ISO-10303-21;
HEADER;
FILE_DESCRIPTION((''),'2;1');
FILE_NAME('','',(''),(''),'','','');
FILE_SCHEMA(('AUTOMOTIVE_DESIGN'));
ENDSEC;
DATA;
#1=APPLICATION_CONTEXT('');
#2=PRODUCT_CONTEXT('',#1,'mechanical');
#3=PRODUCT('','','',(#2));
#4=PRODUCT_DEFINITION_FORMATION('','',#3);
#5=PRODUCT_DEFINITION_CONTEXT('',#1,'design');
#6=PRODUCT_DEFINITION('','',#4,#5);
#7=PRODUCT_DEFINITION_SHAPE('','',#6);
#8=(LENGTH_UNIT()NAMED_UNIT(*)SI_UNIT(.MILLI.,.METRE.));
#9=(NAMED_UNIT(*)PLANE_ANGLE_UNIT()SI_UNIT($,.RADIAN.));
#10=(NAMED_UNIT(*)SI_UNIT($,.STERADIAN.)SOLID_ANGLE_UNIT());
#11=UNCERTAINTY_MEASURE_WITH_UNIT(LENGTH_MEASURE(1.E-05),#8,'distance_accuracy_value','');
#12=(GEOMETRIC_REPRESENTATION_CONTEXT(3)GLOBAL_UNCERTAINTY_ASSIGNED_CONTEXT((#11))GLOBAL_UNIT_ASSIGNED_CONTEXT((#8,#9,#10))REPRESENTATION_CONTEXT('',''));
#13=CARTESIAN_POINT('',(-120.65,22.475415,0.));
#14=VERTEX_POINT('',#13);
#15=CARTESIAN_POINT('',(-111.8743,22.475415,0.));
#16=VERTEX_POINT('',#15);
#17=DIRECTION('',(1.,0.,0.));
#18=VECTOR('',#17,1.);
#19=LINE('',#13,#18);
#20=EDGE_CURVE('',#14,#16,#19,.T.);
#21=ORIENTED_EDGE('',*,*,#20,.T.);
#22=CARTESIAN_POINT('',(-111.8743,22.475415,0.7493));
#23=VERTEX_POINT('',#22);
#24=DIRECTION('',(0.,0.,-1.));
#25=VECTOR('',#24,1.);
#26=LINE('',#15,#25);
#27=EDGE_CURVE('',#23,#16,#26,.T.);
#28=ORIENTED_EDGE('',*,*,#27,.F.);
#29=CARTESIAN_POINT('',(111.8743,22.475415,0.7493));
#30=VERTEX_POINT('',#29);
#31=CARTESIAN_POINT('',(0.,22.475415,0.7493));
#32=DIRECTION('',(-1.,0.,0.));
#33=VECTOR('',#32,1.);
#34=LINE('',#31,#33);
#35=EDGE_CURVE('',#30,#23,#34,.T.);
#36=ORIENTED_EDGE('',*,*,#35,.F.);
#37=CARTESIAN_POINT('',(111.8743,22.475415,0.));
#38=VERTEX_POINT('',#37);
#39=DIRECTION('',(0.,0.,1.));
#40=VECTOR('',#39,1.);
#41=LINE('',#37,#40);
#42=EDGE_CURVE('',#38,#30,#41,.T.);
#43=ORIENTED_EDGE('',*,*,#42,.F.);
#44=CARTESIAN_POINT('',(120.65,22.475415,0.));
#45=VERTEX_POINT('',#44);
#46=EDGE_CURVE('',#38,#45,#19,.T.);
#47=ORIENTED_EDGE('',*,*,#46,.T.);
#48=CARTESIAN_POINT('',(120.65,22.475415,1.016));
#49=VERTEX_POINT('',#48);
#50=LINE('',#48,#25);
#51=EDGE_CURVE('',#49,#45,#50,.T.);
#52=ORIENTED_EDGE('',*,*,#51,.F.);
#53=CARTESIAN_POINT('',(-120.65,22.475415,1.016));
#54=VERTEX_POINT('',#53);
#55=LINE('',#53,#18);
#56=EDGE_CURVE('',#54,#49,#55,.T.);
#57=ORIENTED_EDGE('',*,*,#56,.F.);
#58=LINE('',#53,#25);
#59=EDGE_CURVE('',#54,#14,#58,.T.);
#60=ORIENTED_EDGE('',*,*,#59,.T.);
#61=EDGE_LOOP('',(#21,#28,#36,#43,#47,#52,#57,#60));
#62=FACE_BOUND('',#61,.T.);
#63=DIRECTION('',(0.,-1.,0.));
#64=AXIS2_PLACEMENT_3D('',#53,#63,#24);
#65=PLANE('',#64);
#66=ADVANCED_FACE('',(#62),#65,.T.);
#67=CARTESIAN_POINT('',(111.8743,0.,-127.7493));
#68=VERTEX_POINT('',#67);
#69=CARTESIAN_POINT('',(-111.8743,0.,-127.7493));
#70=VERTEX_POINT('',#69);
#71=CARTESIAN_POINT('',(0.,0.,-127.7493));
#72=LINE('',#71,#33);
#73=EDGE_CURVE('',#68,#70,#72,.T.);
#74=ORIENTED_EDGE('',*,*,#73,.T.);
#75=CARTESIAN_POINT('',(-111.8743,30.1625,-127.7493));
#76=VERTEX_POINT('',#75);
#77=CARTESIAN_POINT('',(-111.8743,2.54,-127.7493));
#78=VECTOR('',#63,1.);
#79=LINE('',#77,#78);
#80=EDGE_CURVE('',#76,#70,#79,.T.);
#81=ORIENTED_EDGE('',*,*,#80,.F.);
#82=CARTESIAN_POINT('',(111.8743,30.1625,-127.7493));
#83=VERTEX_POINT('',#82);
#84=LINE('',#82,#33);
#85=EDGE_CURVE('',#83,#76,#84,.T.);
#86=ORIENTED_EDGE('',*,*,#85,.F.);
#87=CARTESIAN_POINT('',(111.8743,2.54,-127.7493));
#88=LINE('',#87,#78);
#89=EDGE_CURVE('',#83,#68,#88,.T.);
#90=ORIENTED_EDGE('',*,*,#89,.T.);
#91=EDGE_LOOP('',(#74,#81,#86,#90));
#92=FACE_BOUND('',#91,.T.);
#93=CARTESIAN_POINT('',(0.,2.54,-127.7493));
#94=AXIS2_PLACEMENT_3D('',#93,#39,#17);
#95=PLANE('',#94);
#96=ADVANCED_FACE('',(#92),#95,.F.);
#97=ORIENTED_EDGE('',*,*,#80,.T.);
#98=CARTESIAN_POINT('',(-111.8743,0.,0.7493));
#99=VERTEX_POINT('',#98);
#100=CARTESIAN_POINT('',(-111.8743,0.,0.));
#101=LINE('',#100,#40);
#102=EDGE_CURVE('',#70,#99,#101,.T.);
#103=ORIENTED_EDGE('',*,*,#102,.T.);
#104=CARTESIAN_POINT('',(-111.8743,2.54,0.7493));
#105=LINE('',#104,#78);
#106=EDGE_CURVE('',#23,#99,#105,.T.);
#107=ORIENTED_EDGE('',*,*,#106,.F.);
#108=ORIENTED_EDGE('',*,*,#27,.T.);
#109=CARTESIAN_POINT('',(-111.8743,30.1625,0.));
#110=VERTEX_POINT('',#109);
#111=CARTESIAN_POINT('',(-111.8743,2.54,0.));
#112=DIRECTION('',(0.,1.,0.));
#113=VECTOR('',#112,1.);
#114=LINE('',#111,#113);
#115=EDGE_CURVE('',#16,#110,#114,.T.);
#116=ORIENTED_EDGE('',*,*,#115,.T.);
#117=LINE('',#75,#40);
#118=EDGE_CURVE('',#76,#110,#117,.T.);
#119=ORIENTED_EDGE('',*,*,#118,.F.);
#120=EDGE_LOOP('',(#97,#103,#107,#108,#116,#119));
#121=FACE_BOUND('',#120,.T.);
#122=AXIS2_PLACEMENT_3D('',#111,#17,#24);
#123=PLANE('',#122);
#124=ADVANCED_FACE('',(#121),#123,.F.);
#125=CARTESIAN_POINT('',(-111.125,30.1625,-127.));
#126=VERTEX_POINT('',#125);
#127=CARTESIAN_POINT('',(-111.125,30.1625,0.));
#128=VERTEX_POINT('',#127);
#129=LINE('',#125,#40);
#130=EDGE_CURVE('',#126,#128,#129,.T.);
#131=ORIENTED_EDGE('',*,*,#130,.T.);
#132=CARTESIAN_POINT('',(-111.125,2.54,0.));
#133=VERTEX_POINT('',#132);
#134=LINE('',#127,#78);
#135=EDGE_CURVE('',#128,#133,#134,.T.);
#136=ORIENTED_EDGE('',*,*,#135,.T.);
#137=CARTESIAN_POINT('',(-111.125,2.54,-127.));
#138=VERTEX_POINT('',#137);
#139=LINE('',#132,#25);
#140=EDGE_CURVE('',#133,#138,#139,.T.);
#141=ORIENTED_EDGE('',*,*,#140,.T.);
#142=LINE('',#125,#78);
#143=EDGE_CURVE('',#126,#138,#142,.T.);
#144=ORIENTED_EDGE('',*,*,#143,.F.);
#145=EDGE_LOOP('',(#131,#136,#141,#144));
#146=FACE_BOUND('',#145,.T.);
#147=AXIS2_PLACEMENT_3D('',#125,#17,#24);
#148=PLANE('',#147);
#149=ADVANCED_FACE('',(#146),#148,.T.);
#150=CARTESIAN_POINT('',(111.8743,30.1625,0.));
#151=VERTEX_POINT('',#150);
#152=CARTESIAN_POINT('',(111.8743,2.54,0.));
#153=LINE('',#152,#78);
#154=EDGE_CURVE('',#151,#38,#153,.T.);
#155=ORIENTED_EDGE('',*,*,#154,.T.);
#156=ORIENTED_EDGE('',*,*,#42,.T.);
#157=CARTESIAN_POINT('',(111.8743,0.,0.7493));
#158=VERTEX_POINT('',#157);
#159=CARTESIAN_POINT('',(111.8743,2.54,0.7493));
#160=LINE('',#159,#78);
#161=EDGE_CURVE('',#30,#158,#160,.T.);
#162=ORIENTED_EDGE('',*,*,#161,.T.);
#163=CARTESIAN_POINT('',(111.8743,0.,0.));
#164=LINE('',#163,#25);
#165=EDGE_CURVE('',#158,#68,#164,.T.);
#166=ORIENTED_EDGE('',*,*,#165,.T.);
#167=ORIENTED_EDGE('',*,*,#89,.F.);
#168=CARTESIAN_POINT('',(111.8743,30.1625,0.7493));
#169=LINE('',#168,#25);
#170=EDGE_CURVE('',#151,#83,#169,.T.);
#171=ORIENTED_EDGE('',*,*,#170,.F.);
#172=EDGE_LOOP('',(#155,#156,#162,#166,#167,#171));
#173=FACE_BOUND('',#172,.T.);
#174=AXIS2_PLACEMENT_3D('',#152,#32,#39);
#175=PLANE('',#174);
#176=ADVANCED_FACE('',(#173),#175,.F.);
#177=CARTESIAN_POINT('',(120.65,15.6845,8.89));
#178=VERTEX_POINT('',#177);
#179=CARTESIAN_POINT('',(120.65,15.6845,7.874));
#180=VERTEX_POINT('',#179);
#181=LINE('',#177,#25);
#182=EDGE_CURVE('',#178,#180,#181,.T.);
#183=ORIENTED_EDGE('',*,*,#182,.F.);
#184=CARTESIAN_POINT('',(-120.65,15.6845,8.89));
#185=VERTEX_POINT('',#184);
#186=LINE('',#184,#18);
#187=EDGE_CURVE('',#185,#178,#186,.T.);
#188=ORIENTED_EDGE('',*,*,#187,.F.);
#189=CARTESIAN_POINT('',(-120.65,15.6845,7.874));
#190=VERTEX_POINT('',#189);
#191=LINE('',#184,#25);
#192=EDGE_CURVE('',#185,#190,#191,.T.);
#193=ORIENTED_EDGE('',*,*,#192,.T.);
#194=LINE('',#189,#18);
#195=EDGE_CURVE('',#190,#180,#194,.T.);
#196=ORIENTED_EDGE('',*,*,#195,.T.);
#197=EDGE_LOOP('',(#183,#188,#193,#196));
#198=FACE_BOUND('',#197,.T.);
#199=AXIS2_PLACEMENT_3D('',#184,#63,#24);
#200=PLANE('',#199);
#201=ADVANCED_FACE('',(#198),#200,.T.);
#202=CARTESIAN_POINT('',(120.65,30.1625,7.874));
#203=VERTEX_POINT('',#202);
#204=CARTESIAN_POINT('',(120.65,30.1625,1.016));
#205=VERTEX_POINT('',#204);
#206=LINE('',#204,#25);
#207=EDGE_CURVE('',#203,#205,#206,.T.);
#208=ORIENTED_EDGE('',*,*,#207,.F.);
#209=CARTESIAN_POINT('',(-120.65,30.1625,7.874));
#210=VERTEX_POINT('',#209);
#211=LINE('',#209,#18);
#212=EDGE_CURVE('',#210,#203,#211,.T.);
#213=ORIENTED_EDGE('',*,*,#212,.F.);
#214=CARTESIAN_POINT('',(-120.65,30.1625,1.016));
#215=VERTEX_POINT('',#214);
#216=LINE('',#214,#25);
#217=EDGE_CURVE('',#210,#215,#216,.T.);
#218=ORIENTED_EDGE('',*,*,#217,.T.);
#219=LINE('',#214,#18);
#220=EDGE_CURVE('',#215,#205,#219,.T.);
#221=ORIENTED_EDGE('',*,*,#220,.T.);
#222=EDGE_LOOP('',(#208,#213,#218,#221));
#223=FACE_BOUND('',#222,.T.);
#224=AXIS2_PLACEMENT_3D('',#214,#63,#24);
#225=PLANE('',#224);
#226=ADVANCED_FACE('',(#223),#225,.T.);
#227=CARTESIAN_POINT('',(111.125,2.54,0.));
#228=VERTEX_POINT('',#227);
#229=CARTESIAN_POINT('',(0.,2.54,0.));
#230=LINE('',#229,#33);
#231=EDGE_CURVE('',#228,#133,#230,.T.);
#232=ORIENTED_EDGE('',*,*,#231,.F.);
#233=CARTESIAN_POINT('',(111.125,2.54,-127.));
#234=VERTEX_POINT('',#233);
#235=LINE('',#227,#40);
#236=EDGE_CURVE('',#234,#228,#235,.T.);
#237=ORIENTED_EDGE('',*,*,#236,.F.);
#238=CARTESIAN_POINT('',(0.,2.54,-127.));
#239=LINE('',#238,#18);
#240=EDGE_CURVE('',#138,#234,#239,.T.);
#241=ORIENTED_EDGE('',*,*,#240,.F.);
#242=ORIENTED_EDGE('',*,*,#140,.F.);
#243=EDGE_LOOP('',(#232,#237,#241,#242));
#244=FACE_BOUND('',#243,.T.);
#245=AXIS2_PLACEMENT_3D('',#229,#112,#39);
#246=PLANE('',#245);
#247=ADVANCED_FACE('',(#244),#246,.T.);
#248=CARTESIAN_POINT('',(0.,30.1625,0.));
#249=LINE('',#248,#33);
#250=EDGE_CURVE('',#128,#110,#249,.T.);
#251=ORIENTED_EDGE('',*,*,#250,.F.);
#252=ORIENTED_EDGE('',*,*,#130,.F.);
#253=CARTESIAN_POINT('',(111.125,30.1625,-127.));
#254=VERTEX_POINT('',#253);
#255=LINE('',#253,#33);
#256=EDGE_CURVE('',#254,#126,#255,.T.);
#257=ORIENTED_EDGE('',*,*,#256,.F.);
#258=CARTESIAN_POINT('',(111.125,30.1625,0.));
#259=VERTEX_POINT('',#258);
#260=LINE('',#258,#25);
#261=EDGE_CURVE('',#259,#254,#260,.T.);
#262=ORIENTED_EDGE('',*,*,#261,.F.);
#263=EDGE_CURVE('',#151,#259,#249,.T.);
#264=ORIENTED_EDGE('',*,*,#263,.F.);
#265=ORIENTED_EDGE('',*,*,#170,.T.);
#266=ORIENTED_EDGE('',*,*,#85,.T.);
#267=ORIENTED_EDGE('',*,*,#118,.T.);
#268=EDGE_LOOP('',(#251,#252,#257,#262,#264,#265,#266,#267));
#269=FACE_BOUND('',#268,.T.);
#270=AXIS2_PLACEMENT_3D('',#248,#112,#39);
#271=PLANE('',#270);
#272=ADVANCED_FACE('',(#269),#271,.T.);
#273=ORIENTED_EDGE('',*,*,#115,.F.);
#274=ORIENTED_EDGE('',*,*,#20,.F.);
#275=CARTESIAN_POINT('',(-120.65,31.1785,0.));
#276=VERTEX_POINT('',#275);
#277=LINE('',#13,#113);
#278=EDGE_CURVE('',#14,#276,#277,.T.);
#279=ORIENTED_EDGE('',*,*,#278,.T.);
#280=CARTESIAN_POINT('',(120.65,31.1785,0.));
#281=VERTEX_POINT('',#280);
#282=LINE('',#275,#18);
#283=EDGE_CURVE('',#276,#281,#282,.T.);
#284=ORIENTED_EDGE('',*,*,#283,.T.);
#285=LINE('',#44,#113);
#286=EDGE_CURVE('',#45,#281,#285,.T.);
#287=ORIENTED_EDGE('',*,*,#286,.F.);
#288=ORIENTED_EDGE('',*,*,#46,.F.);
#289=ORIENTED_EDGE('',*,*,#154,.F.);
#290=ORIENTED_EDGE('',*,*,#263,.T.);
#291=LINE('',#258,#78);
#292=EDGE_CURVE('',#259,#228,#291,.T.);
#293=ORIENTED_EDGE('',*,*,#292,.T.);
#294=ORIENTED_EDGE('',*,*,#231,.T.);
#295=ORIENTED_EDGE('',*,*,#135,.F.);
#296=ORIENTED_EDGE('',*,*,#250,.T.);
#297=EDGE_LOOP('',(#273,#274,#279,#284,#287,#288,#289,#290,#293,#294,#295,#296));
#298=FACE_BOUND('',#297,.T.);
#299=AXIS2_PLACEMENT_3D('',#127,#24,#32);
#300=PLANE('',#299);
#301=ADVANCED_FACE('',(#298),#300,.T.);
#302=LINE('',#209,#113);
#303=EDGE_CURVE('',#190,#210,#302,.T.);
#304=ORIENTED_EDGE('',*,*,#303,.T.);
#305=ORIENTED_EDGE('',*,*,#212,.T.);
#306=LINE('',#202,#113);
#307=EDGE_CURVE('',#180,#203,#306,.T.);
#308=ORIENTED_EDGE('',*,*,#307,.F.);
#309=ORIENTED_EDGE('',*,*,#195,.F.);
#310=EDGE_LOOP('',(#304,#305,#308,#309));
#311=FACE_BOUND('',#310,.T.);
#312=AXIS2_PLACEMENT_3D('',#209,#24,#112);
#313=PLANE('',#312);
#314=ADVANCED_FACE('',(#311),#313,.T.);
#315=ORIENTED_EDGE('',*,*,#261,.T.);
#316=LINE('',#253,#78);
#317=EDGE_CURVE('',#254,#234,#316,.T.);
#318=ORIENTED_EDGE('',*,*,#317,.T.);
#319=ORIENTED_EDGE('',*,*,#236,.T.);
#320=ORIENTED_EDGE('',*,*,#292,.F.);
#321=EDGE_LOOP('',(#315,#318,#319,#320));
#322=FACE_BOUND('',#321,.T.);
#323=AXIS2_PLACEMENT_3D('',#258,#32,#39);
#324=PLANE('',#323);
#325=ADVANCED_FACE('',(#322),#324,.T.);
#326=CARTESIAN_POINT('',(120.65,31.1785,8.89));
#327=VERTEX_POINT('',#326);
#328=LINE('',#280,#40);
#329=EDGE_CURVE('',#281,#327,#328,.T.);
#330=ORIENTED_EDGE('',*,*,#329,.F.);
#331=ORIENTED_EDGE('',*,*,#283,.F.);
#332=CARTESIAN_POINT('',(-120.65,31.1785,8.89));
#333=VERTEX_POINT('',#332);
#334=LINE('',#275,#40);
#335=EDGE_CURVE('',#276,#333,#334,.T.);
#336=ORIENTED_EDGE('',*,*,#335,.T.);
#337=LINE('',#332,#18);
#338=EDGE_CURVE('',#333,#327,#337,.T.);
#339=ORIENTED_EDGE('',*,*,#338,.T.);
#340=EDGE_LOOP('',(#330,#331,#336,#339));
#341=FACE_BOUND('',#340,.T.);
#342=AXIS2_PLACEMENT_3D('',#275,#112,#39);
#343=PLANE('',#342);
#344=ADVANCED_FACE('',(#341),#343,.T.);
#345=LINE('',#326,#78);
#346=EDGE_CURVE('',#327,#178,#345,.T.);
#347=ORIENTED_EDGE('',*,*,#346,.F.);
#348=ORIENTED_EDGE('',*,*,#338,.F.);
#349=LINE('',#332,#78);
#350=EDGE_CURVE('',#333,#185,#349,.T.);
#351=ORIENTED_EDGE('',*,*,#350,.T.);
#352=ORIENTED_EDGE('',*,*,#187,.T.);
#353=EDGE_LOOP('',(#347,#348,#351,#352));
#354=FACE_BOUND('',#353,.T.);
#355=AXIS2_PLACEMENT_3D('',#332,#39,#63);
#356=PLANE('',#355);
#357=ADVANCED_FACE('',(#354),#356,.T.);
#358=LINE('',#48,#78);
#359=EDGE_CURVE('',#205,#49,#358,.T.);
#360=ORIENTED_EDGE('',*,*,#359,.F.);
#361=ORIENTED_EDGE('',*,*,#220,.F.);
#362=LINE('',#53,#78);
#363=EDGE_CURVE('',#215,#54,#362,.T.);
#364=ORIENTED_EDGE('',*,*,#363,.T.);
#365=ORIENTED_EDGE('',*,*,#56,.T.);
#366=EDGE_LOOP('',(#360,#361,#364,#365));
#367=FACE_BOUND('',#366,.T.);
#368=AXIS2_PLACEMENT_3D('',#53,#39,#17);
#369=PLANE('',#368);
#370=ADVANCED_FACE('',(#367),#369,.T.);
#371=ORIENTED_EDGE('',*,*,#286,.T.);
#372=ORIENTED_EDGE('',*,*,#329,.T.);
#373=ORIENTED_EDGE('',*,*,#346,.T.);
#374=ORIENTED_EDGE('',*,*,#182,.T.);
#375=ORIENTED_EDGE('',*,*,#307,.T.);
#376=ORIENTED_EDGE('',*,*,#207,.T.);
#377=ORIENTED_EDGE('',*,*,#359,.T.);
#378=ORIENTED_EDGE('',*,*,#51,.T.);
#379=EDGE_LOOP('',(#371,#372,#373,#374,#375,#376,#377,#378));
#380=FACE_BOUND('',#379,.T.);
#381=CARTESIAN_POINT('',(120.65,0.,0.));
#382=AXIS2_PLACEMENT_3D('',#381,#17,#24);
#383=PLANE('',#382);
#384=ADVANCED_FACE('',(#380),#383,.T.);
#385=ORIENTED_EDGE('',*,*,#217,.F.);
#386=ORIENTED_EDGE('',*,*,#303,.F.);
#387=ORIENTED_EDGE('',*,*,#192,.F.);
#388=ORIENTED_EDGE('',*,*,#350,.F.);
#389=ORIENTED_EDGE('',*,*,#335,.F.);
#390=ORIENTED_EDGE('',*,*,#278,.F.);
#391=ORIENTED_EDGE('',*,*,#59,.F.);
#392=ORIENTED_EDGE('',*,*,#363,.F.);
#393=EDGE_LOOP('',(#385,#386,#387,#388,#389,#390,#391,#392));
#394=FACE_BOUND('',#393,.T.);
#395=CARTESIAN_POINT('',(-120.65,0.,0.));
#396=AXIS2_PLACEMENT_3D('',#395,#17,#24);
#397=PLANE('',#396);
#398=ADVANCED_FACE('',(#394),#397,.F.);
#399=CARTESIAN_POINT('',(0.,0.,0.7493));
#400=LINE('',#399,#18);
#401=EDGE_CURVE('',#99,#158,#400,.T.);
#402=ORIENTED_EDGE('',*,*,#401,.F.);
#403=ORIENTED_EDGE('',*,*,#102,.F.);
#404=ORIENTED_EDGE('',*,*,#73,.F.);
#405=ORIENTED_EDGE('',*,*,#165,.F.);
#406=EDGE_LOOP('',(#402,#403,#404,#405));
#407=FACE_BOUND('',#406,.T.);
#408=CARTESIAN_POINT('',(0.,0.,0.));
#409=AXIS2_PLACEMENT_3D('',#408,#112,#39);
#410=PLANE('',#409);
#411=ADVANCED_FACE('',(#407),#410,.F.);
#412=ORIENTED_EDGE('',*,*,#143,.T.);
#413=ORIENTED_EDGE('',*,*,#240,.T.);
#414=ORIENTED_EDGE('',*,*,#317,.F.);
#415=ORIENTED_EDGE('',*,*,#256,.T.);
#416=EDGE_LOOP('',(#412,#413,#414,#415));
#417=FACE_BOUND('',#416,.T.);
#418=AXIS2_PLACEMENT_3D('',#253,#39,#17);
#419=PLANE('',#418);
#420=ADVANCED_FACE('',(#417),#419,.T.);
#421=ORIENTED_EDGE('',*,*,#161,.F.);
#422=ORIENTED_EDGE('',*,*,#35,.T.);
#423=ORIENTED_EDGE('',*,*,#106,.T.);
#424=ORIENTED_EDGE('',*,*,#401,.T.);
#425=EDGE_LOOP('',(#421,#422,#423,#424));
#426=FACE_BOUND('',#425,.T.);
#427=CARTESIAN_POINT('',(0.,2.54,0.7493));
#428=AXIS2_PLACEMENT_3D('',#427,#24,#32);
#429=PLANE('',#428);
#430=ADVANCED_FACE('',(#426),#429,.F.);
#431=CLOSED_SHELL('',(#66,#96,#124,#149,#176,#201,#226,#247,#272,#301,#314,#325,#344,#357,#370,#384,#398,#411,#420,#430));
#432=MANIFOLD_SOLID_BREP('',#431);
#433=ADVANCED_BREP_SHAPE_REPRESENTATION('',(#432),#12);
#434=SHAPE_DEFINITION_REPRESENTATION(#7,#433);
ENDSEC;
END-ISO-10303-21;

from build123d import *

# Parameters (mm, degrees)
SKETCH1_W         = 223.7486
SKETCH1_H         = 128.4986
BASE_DEPTH        = 2.54
SKETCH1_3_W       = 223.7486
SKETCH1_3_H       = 128.4986
SKETCH1_3_W_2     = 222.25
SKETCH1_3_H_2     = 127
WALLS_DEPTH       = 30.1625
HANDLE_DEPTH      = 120.65
HANDLE_DEPTH_BACK = 120.65


with BuildPart() as part:
    # Sketch1 → Base (new body)
    with BuildSketch(Plane(origin=(0, 0, 0), x_dir=(1, 0, 0), z_dir=(0, 1, 0))):
        with Locations((0, 63.5)):
            Rectangle(SKETCH1_W, SKETCH1_H)
    extrude(amount=BASE_DEPTH)

    # Sketch1<3> → Walls (add)
    with BuildSketch(Plane(origin=(0, 0, 0), x_dir=(1, 0, 0), z_dir=(0, 1, 0))):
        with Locations((0, 63.5)):
            Rectangle(SKETCH1_3_W, SKETCH1_3_H)
        with Locations((0, 63.5)):
            Rectangle(SKETCH1_3_W_2, SKETCH1_3_H_2, mode=Mode.SUBTRACT)
    extrude(amount=WALLS_DEPTH)

    # Sketch2 → Handle (add, two sides: drawn at the far end of the back side and taken through both)
    with BuildSketch(Plane(origin=(0, 0, 0), x_dir=(0, 0, -1), z_dir=(1, 0, 0)).offset(-HANDLE_DEPTH_BACK)):
        Polygon((0, 22.475414602), (0, 31.1785), (-8.89, 31.1785), (-8.89, 15.6845), (-7.874, 15.6845), (-7.874, 30.1625), (-1.016, 30.1625), (-1.016, 22.475414602), align=None)
    extrude(amount=HANDLE_DEPTH + HANDLE_DEPTH_BACK)


solid = part.part
